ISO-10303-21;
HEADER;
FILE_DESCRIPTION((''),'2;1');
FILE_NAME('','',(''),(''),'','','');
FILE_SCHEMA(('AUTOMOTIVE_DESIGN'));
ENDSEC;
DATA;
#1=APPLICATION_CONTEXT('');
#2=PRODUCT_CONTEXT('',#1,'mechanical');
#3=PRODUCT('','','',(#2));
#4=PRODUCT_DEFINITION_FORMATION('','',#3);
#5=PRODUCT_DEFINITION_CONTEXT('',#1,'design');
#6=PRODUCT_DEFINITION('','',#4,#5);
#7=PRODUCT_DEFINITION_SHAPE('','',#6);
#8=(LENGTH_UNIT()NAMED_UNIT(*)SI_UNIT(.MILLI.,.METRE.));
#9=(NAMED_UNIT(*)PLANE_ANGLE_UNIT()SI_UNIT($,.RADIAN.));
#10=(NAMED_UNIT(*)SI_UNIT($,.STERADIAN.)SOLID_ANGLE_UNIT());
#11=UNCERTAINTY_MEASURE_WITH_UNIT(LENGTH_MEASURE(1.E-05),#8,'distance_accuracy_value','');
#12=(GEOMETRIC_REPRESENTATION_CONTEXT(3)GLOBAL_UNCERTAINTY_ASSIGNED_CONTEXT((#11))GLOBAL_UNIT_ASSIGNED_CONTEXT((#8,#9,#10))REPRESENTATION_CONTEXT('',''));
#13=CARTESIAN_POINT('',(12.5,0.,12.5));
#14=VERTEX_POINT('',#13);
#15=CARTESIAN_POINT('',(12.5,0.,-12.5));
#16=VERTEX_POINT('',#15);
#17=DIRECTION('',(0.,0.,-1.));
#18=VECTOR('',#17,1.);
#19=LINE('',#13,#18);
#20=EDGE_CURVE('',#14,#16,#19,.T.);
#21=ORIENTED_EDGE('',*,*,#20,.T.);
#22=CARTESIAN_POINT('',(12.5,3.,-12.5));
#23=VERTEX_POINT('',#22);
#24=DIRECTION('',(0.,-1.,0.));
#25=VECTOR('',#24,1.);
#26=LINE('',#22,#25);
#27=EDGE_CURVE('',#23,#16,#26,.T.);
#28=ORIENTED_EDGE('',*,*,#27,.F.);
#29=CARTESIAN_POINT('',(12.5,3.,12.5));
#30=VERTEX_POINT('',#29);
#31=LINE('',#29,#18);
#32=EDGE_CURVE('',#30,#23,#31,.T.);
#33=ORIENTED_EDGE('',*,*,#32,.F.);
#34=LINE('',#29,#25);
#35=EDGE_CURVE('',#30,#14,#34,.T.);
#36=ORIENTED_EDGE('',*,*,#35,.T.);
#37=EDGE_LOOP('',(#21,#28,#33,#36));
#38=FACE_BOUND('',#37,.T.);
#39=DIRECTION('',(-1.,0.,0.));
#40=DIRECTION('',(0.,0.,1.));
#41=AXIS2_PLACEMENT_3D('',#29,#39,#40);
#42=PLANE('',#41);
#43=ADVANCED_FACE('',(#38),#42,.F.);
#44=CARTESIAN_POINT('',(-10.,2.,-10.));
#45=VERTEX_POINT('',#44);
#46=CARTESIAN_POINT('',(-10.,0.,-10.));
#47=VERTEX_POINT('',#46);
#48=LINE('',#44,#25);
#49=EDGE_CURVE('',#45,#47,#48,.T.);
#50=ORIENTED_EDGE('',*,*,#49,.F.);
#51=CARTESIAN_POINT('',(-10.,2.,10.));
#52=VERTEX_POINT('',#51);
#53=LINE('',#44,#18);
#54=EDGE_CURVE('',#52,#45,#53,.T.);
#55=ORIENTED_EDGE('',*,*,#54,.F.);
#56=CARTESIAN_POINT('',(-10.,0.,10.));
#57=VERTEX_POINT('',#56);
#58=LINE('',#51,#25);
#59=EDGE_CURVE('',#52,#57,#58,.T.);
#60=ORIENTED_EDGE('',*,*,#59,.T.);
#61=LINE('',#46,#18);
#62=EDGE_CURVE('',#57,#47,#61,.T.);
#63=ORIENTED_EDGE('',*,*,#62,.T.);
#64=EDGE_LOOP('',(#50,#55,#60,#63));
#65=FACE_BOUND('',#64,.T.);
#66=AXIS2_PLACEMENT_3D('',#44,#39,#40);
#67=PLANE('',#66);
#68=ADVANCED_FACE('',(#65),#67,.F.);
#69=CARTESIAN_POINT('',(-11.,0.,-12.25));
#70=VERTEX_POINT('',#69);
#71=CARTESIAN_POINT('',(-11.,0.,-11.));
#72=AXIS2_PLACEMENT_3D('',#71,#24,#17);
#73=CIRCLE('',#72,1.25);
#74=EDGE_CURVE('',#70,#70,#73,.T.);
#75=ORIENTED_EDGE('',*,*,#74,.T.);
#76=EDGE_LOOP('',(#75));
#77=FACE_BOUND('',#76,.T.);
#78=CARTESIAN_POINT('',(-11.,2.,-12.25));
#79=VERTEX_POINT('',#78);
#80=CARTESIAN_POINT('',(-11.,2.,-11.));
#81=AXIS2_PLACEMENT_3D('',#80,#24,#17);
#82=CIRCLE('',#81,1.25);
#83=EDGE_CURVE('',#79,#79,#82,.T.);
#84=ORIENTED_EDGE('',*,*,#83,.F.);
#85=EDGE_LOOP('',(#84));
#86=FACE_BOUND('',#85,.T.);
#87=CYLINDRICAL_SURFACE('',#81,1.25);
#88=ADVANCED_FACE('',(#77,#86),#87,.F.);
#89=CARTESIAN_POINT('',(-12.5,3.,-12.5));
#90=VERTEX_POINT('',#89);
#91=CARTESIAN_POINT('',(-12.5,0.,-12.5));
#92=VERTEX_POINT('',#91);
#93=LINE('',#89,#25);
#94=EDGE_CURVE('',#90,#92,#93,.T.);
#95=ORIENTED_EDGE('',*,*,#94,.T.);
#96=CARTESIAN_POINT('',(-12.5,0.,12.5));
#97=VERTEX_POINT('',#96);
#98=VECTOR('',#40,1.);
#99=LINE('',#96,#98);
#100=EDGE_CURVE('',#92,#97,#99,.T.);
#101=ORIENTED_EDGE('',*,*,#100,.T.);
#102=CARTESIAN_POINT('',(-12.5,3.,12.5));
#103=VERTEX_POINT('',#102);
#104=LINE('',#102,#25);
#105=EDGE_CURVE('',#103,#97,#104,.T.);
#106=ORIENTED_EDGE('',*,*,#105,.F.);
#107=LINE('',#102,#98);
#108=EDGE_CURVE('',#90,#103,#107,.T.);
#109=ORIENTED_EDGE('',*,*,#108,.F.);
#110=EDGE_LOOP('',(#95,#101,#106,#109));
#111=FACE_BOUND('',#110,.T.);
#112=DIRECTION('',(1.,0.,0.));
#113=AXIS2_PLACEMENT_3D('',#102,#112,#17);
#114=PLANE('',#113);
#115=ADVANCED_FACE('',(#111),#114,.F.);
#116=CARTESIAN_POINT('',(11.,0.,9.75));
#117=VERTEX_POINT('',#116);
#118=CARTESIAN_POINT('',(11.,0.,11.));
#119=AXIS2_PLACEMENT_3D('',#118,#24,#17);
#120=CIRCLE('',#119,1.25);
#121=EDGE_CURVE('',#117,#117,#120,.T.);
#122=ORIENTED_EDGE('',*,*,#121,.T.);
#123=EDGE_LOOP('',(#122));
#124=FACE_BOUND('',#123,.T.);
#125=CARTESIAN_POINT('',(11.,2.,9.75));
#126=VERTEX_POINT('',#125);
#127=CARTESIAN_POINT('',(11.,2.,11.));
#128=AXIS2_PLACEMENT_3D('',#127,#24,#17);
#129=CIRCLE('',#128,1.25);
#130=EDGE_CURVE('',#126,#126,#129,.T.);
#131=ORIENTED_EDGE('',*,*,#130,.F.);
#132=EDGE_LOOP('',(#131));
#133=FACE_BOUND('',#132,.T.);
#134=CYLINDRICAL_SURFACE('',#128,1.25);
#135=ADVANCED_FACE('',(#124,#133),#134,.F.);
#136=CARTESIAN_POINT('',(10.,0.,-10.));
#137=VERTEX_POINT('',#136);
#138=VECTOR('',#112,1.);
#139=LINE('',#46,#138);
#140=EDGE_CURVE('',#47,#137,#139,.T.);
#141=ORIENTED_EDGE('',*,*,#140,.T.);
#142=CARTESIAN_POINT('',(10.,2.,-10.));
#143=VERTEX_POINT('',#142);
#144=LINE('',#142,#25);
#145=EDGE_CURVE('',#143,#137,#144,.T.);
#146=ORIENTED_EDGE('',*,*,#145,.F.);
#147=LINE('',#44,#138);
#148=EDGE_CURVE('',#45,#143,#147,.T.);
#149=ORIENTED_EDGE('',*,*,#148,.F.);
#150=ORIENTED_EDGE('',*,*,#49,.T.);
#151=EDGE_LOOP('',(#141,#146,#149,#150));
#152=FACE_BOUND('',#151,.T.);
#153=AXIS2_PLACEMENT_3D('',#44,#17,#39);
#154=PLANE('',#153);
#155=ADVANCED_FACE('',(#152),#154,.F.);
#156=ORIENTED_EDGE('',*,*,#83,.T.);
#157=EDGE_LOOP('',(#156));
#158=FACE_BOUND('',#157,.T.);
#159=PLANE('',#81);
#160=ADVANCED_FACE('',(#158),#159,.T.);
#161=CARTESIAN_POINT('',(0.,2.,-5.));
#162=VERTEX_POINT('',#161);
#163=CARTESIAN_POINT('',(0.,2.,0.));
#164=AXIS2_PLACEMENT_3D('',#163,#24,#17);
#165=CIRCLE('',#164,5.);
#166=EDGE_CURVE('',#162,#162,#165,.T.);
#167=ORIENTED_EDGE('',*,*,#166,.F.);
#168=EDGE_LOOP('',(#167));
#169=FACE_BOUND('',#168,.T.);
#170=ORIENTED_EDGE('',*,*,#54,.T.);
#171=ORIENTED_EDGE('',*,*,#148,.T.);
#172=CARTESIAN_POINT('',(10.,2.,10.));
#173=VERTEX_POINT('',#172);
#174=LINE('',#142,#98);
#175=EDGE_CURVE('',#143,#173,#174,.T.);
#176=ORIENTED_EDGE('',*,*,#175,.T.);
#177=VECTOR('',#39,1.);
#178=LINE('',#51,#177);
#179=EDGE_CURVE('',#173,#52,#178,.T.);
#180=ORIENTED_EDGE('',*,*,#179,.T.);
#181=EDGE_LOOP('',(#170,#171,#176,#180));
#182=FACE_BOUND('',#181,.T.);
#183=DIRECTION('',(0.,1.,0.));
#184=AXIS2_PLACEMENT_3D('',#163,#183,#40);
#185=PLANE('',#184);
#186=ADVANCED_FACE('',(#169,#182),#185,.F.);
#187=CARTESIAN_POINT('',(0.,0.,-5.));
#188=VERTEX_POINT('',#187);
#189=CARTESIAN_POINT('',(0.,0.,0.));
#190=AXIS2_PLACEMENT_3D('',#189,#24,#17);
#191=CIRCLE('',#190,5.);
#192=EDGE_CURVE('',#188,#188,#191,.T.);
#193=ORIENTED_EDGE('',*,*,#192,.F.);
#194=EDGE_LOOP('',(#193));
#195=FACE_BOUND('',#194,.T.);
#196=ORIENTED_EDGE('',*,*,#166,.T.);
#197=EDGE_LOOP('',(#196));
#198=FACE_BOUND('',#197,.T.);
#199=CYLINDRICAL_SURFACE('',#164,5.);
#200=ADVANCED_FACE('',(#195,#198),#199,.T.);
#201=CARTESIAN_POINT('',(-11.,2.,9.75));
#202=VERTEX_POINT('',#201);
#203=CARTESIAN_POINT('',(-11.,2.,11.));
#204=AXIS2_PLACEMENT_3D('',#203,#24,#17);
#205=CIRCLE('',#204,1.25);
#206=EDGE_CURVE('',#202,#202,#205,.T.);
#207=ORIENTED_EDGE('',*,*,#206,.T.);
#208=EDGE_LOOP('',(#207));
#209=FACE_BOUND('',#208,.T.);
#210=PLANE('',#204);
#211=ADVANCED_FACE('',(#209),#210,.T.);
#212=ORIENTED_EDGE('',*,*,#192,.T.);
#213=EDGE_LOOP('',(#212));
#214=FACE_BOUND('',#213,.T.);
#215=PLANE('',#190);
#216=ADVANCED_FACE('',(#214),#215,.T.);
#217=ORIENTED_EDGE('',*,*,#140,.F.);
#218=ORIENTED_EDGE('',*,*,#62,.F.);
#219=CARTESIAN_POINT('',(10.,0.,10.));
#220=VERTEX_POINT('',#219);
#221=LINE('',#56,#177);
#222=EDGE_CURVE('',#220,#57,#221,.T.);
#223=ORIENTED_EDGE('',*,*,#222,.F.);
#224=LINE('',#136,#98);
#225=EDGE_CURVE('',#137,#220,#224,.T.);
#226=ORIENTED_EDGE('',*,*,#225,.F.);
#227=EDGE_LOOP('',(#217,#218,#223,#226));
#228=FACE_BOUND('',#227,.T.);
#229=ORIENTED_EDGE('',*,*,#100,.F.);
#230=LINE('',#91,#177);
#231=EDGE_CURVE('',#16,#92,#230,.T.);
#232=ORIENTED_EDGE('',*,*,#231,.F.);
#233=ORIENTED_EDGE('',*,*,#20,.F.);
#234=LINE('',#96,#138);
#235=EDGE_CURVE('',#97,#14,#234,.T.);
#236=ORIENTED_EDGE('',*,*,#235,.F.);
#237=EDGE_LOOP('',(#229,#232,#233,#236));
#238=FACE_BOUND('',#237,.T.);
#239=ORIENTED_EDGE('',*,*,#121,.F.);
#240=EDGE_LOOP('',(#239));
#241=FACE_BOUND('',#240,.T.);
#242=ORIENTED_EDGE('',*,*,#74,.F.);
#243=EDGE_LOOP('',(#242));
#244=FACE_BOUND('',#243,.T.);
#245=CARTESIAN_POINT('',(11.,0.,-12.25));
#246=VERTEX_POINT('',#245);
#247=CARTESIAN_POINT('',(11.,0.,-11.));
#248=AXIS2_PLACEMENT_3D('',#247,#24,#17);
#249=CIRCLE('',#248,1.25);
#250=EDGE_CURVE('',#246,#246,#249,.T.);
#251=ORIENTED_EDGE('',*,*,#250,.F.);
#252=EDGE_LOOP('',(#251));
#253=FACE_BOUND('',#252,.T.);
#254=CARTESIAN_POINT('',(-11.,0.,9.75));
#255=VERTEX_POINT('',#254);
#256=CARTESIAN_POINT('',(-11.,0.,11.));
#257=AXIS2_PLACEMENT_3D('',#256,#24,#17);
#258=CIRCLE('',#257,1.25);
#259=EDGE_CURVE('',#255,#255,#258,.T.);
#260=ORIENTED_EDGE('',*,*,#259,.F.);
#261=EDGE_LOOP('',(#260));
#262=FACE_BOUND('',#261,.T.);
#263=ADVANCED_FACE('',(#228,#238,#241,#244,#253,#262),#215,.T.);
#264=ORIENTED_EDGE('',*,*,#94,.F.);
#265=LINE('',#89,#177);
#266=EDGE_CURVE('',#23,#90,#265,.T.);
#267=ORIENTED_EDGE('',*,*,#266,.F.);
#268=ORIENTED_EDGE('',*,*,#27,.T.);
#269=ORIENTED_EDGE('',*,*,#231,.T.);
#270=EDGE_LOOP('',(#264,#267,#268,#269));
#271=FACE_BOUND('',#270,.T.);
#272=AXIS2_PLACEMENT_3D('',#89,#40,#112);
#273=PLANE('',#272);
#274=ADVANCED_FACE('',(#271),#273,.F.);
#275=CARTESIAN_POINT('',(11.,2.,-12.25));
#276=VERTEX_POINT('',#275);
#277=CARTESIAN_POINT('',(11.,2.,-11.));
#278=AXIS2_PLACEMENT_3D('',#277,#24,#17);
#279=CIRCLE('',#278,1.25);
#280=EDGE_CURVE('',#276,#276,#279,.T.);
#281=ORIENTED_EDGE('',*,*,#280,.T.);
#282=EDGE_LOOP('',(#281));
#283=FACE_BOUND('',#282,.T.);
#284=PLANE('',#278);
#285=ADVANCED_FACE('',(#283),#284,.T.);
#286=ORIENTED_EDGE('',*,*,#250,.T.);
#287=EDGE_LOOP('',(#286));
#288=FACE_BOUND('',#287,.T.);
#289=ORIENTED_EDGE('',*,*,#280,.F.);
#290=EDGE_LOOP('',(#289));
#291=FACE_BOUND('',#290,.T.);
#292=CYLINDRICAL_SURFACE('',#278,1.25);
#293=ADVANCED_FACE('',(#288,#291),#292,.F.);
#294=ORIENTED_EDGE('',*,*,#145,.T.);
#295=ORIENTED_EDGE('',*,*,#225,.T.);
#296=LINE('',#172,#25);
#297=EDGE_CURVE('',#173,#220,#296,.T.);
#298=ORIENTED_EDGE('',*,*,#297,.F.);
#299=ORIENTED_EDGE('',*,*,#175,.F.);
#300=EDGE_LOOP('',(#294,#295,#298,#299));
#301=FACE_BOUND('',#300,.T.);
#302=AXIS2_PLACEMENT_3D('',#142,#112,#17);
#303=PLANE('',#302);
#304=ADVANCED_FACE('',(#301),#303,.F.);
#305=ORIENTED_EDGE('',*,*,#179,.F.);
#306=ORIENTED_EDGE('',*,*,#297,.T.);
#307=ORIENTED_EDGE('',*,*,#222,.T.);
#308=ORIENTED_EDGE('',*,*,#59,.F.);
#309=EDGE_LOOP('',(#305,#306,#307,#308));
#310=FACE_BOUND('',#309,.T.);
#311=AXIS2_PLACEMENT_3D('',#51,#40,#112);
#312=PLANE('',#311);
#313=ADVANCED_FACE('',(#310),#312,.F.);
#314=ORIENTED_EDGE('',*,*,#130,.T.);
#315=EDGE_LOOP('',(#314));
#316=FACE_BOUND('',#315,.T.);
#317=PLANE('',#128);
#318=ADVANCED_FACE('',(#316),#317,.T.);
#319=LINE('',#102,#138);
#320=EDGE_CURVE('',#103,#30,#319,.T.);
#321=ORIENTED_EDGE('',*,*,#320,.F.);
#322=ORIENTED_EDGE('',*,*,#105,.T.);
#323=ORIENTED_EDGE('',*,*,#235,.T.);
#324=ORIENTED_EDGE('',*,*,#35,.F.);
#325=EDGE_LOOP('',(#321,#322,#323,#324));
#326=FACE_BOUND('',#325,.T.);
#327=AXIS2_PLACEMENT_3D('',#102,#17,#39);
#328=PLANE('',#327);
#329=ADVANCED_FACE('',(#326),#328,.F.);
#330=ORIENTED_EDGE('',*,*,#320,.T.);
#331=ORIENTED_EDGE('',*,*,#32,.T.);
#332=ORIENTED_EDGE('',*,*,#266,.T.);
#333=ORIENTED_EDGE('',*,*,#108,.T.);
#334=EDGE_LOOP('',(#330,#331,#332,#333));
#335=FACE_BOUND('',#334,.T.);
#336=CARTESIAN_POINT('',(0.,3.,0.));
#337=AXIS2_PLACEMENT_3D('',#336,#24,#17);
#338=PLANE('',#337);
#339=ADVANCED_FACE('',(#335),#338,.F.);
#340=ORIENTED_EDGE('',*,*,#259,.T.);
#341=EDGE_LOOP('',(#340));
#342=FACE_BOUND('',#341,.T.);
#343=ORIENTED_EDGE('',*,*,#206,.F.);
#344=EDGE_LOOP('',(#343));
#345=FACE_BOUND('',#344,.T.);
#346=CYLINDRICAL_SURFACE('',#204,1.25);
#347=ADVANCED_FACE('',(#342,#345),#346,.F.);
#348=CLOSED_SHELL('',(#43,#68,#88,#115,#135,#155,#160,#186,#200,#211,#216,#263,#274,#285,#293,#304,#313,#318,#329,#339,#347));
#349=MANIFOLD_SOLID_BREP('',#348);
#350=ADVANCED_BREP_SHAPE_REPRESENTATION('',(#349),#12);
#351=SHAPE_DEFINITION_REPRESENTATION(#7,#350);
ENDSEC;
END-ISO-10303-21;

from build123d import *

# Parameters (mm, degrees)
SKETCH1_W           = 25
SKETCH1_H           = 25
BOSS_EXTRUDE1_DEPTH = 3
SKETCH2_W           = 20
SKETCH2_H           = 20
SKETCH2_R           = 5
CUT_EXTRUDE1_DEPTH  = 2
SKETCH3_R           = 1.25
CUT_EXTRUDE2_DEPTH  = 2


with BuildPart() as part:
    # Sketch1 → Boss-Extrude1 (new body)
    with BuildSketch(Plane(origin=(0, 0, 0), x_dir=(1, 0, 0), z_dir=(0, 1, 0))):
        Rectangle(SKETCH1_W, SKETCH1_H)
    extrude(amount=BOSS_EXTRUDE1_DEPTH)

    # Sketch2 → Cut-Extrude1 (cut)
    with BuildSketch(Plane.XZ):
        Rectangle(SKETCH2_W, SKETCH2_H)
        Circle(SKETCH2_R, mode=Mode.SUBTRACT)
    extrude(amount=-CUT_EXTRUDE1_DEPTH, mode=Mode.SUBTRACT)

    # Sketch3 → Cut-Extrude2 (cut)
    with BuildSketch(Plane.XZ):
        with Locations((-11, 11)):
            Circle(SKETCH3_R)
        with Locations((11, 11)):
            Circle(SKETCH3_R)
        with Locations((11, -11)):
            Circle(SKETCH3_R)
        with Locations((-11, -11)):
            Circle(SKETCH3_R)
    extrude(amount=-CUT_EXTRUDE2_DEPTH, mode=Mode.SUBTRACT)


solid = part.part
